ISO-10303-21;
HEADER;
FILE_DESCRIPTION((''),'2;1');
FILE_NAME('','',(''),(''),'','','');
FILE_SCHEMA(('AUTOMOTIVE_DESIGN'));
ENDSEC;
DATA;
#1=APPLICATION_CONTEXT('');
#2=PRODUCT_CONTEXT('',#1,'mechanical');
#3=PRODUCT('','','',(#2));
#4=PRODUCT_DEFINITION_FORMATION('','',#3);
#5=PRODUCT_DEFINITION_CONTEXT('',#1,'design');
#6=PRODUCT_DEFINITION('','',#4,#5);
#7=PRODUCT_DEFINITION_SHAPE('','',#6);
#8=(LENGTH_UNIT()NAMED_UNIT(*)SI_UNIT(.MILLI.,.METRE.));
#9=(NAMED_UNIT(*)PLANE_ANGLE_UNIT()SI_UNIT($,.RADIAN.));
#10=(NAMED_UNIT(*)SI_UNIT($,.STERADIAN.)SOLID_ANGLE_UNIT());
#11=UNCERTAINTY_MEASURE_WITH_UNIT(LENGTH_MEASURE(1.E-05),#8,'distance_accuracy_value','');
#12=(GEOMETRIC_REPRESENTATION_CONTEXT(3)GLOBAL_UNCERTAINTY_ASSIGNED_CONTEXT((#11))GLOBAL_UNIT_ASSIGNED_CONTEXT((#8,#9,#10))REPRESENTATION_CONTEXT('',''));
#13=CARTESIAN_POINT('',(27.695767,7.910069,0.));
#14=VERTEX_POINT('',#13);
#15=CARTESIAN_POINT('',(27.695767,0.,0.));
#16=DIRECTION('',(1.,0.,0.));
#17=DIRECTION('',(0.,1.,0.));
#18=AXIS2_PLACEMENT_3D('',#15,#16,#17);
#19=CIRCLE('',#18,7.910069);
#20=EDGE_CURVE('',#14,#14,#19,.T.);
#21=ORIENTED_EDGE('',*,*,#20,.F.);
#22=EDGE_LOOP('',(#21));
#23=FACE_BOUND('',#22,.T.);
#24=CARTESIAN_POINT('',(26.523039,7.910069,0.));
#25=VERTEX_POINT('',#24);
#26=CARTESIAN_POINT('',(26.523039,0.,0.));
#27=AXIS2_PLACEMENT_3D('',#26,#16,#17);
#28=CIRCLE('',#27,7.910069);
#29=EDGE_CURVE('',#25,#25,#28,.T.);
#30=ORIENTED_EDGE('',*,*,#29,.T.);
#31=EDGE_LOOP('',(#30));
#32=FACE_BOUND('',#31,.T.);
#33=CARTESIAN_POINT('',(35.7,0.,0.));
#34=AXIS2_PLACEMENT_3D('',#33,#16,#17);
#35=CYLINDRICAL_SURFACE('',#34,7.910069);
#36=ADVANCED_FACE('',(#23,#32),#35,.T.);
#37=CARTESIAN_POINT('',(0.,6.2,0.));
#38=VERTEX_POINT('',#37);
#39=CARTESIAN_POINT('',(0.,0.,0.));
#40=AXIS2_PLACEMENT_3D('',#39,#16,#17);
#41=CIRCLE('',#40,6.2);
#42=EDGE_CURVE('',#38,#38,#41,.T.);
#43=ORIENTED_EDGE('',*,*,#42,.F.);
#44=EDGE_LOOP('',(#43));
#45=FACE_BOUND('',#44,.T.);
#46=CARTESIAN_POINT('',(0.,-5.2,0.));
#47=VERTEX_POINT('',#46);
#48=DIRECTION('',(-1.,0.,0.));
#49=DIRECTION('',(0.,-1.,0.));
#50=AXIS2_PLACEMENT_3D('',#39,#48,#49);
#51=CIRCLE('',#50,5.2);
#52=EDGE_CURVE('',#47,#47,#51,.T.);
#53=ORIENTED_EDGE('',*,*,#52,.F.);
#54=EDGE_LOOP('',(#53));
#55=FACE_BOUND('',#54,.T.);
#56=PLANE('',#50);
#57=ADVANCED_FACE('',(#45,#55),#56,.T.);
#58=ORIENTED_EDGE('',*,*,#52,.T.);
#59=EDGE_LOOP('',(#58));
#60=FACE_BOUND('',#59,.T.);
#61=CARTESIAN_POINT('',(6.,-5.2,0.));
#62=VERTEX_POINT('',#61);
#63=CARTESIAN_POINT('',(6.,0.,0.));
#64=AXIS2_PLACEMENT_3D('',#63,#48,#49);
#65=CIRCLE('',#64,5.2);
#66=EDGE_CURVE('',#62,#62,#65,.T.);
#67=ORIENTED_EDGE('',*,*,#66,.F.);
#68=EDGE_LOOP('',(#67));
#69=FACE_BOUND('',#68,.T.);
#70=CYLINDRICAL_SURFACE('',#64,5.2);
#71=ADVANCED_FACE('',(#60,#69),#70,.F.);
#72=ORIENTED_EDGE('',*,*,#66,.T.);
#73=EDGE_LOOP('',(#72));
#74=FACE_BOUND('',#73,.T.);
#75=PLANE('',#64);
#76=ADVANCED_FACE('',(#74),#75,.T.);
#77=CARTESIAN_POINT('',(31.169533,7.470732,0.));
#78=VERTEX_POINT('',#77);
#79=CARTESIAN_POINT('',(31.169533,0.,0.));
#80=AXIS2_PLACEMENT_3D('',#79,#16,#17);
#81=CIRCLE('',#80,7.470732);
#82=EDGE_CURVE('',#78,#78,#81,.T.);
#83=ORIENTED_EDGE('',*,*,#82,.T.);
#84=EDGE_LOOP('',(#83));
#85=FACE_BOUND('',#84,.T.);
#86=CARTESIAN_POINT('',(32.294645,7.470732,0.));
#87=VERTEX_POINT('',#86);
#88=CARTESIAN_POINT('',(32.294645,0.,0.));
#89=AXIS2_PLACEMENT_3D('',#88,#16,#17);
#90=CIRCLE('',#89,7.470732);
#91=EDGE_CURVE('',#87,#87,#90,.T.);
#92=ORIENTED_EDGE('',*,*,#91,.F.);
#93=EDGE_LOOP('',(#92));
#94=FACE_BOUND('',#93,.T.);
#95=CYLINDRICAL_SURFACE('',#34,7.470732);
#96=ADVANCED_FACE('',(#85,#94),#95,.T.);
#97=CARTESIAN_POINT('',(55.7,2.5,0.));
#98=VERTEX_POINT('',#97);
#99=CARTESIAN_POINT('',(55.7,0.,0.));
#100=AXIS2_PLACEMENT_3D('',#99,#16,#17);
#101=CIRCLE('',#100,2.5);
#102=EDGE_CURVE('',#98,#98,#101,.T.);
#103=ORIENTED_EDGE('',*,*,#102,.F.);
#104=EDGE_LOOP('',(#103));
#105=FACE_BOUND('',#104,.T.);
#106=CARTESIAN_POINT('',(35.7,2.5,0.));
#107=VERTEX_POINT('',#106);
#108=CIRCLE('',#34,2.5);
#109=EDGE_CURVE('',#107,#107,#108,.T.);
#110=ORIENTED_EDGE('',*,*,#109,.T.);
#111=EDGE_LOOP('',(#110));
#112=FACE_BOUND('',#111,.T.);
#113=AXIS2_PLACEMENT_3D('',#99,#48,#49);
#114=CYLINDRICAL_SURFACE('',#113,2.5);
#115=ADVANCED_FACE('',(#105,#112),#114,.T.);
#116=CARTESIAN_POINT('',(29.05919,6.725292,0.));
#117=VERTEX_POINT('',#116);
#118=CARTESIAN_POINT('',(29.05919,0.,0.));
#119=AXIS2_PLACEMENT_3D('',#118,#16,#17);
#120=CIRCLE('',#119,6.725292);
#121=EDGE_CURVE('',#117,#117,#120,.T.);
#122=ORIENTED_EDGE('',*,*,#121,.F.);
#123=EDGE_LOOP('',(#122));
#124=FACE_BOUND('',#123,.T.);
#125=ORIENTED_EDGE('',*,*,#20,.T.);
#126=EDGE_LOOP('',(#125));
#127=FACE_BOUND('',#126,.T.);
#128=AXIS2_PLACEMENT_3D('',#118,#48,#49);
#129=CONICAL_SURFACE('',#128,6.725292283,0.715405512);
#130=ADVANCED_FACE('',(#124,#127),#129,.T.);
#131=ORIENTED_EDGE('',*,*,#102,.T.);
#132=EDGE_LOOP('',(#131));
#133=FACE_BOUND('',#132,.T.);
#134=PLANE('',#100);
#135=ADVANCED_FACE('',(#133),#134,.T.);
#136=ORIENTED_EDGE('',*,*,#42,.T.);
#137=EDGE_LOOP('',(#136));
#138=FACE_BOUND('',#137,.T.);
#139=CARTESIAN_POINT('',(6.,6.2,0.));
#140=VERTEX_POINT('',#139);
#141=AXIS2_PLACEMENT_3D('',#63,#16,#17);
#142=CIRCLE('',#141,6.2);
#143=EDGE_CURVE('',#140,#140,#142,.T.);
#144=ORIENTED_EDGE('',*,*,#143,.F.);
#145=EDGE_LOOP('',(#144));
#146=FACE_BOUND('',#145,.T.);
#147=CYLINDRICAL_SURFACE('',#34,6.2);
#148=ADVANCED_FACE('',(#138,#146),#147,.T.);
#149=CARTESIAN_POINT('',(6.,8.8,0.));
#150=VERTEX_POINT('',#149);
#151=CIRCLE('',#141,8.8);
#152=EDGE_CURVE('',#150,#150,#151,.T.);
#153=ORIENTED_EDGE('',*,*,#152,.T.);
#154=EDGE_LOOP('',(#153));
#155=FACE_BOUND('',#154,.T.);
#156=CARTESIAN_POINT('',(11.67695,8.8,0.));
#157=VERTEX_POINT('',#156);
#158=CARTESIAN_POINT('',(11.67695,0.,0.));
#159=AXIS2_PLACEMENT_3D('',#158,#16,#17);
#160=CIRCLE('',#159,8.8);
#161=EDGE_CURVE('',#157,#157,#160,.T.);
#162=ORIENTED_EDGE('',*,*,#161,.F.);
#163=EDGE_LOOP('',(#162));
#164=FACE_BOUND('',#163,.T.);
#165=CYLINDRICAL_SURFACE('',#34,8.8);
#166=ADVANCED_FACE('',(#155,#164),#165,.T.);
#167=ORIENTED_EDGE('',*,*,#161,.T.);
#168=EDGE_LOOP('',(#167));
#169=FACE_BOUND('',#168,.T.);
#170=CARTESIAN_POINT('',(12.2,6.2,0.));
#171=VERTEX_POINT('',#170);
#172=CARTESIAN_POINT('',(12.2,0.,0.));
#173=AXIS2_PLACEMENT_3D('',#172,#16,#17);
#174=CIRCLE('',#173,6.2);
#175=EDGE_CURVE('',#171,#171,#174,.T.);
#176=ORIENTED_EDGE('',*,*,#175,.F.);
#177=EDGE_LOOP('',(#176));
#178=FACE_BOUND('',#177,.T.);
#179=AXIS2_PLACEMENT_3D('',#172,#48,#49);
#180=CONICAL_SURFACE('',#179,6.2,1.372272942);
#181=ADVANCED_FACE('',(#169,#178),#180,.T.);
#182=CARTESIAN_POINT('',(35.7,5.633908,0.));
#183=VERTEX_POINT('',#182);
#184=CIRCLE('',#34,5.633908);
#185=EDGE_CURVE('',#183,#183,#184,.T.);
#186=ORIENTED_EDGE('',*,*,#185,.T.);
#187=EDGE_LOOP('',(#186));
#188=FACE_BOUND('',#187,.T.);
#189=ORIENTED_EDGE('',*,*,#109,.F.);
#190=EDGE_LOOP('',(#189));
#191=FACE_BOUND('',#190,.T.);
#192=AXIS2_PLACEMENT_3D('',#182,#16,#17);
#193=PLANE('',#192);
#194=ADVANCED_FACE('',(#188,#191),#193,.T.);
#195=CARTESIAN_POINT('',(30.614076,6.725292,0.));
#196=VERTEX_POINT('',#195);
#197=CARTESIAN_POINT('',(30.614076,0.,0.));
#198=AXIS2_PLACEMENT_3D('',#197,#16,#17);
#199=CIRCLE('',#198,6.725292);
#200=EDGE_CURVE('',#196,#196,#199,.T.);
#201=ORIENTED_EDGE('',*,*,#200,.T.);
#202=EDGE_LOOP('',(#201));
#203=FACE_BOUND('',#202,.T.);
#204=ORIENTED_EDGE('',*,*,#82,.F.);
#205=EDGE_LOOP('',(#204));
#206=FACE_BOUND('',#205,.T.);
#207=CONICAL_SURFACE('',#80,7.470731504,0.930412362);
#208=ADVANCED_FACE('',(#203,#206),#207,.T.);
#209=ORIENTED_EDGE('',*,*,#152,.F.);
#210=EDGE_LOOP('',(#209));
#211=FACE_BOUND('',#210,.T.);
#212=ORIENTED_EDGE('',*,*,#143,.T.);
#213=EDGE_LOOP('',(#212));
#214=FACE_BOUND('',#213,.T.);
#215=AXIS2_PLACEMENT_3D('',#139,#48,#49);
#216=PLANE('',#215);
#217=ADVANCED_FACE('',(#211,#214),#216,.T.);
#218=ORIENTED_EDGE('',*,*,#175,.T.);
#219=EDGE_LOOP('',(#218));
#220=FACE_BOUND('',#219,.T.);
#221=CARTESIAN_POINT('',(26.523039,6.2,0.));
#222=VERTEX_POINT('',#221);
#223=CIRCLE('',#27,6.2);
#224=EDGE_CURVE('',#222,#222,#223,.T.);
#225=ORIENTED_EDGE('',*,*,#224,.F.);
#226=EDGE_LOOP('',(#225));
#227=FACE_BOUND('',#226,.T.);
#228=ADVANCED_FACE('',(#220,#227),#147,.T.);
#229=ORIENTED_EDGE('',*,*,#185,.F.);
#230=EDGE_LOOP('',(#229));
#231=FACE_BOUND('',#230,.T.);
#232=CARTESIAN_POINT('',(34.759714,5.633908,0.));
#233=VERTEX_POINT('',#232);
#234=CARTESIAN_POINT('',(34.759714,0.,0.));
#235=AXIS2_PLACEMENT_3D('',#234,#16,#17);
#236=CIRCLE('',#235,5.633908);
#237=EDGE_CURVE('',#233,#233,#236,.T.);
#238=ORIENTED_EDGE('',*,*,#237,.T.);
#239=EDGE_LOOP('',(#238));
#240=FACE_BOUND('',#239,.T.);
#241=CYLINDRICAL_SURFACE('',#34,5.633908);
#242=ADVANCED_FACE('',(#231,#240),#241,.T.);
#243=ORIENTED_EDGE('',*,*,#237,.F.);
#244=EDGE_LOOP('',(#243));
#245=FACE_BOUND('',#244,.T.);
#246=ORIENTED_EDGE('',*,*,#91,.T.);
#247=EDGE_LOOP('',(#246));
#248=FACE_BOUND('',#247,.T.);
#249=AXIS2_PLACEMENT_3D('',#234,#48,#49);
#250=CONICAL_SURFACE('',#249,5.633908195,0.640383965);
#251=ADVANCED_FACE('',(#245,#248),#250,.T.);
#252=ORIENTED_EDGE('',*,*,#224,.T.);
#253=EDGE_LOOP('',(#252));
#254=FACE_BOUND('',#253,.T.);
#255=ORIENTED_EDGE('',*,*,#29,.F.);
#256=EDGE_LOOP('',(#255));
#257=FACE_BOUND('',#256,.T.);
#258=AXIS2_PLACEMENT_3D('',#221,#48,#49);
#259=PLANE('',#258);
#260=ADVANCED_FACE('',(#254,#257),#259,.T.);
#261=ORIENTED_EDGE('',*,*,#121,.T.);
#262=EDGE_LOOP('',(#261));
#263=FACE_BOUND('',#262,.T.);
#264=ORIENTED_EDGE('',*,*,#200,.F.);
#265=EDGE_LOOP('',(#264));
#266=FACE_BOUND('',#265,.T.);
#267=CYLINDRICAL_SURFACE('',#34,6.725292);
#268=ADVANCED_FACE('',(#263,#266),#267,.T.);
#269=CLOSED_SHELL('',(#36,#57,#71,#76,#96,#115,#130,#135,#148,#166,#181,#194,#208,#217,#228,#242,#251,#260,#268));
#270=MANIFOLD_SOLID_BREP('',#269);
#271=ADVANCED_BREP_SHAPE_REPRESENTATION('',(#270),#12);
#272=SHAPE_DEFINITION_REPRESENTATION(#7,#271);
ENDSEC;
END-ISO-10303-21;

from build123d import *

# Parameters (mm, degrees)
SKETCH_2_R          = 5.2
CUT_EXTRUDE_1_DEPTH = 6
SKETCH_3_R          = 2.5
EXTRUDE_1_DEPTH     = 20


with BuildPart() as part:
    # 草图1 → 旋转1 (revolve)
    with BuildSketch(Plane.XY):
        Polygon((0, 0), (0, 6.2), (6, 6.2), (6, 8.8), (11.676949671, 8.8), (12.2, 6.2), (26.523039375, 6.2), (26.523039375, 7.91006879), (27.695766684, 7.91006879), (29.059190298, 6.725292283), (30.614076117, 6.725292283), (31.1695333, 7.470731504), (32.294644919, 7.470731504), (34.759713658, 5.633908195), (35.7, 5.633908195), (35.7, 0), align=None)
    revolve(axis=Axis((35.7, 0, 0), (-1, 0, 0)))

    # 草图2 → 切除-拉伸1 (cut)
    with BuildSketch(Plane.ZY):
        with Locations(Location((0, 0, 0), (0, 0, 270))):
            Circle(SKETCH_2_R)
    extrude(amount=-CUT_EXTRUDE_1_DEPTH, mode=Mode.SUBTRACT)

    # 草图3 → 凸台-拉伸1 (add)
    with BuildSketch(Plane(origin=(35.7, 0, 0), x_dir=(0, 0, -1), z_dir=(1, 0, 0))):
        with Locations(Location((0, 0, 0), (0, 0, 90))):
            Circle(SKETCH_3_R)
    extrude(amount=EXTRUDE_1_DEPTH)


solid = part.part
